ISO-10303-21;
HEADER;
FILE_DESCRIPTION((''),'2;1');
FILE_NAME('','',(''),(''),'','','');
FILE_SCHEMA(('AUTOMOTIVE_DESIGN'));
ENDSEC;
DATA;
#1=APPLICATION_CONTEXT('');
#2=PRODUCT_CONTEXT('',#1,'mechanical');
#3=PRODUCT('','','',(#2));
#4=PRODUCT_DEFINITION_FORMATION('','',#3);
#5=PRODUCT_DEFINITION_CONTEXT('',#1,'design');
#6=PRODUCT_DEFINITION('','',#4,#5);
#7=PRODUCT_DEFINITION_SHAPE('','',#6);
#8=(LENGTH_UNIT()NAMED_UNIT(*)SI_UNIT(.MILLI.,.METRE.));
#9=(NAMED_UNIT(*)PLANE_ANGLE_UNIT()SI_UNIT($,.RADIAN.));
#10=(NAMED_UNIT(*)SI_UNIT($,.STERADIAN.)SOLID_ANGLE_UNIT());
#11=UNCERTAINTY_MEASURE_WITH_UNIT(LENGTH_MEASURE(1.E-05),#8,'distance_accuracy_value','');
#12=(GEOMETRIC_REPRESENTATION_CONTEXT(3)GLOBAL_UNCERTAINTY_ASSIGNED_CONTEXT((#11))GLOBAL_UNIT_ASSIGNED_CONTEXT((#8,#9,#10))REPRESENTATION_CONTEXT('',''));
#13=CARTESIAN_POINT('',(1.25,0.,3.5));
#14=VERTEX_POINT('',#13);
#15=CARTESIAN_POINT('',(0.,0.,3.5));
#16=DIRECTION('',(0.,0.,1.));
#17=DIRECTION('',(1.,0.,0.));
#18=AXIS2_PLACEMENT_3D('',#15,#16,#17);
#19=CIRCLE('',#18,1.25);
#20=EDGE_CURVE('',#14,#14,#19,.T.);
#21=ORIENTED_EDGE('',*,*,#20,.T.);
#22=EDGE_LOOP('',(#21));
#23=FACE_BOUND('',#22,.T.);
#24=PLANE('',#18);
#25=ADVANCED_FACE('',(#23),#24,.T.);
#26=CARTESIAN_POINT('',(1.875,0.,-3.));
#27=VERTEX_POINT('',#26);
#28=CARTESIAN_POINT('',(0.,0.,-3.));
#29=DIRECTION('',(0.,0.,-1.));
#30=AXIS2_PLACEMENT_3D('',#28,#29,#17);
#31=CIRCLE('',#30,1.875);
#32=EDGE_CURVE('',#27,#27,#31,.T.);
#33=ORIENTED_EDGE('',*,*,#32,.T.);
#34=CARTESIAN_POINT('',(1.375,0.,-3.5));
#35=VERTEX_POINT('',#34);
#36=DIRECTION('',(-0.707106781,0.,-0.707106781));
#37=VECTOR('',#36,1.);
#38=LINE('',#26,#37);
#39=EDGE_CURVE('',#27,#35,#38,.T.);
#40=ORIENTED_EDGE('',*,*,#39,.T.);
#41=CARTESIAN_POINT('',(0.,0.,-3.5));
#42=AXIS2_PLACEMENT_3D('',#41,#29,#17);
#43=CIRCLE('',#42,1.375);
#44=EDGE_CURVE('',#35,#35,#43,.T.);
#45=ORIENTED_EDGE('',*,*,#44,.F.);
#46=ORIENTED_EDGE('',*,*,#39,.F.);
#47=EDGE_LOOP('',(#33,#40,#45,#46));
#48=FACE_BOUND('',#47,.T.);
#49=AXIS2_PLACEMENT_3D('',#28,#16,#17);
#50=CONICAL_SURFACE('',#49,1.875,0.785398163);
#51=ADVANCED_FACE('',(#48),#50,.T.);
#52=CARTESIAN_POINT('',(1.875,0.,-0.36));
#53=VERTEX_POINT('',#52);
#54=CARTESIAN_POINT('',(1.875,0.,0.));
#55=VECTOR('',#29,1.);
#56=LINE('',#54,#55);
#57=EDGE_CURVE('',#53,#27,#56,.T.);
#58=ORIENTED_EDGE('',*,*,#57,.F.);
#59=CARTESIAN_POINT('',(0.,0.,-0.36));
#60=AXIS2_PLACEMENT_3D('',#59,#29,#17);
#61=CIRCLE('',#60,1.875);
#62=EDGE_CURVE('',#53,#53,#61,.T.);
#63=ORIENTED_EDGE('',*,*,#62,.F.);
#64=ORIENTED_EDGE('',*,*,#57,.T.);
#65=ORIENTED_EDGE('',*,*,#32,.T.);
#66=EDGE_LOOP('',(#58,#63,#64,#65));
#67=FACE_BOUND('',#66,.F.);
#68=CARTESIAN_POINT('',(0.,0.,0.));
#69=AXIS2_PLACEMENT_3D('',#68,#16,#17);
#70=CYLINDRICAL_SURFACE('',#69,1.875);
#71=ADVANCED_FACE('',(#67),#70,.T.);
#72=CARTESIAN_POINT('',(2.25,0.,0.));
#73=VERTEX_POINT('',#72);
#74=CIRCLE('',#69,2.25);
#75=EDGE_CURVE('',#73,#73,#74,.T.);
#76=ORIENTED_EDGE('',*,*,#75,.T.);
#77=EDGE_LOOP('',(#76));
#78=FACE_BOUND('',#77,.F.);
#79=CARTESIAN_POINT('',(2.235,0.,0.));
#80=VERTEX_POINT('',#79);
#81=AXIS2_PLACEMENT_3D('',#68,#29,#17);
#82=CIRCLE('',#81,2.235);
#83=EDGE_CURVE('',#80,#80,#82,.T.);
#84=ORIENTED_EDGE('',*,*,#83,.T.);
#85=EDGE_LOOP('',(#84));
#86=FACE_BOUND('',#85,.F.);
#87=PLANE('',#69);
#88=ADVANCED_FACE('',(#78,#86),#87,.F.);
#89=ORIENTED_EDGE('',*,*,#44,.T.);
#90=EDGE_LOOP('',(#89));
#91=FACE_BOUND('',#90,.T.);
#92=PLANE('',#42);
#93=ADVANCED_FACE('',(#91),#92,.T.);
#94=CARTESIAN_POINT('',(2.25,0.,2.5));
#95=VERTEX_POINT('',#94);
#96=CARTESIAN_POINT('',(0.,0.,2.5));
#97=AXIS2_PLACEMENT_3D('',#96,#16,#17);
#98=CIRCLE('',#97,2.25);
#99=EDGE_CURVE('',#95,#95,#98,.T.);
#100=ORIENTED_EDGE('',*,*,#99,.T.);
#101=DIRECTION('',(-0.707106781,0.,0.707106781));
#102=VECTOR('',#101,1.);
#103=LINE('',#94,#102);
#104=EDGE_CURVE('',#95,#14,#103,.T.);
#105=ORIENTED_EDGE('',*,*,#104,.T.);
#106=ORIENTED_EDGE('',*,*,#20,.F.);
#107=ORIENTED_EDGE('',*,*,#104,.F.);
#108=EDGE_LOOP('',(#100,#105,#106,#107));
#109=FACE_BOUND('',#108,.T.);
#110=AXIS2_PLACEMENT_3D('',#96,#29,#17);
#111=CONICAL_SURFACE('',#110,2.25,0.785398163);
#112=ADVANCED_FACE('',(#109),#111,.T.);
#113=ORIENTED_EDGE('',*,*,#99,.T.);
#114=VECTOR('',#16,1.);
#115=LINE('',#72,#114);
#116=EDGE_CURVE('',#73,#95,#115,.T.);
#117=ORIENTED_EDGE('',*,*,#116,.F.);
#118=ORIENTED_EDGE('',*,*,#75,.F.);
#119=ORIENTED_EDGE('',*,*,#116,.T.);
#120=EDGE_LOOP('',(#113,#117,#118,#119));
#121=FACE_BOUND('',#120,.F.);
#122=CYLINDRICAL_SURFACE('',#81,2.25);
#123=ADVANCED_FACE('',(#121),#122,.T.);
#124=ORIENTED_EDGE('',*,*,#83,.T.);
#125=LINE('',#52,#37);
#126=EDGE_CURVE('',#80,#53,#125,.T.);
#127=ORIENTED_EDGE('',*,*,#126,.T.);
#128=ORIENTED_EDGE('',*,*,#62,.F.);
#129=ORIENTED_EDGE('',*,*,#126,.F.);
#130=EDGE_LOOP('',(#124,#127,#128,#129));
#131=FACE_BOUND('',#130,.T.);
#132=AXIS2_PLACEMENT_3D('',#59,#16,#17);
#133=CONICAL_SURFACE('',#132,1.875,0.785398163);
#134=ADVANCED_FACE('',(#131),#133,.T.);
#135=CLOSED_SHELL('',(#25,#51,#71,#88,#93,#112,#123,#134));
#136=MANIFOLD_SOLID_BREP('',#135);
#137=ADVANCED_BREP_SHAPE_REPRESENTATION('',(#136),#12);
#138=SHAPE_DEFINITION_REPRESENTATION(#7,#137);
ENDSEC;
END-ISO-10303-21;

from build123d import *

# Parameters (mm, degrees)
SKETCH017_R     = 2.25
PAD003_DEPTH    = 3.5
CHAMFER001_SIZE = 1
SKETCH020_R     = 1.875
PAD006_DEPTH    = 3.5
CHAMFER002_SIZE = 0.36
CHAMFER003_SIZE = 0.5


with BuildPart() as part:
    # Sketch017 → Pad003 (new body)
    with BuildSketch(Plane.XY):
        Circle(SKETCH017_R)
    extrude(amount=PAD003_DEPTH)

    # Chamfer001
    chamfer001_edges = [part.edges().sort_by_distance(p)[0] for p in [
        (-2.25, 0, 3.5),
    ]]
    chamfer(chamfer001_edges, length=CHAMFER001_SIZE)

    # Sketch020 (on Face3 of Chamfer001) → Pad006 (join)
    with BuildSketch(Plane(origin=(0, 0, 0), x_dir=(1, 0, 0), z_dir=(0, 0, -1))):
        Circle(SKETCH020_R)
    extrude(amount=PAD006_DEPTH)

    # Chamfer002
    chamfer002_edges = [part.edges().sort_by_distance(p)[0] for p in [
        (-1.875, 0, 0),
    ]]
    chamfer(chamfer002_edges, length=CHAMFER002_SIZE)

    # Chamfer003
    chamfer003_edges = [part.edges().sort_by_distance(p)[0] for p in [
        (-1.875, 0, -3.5),
    ]]
    chamfer(chamfer003_edges, length=CHAMFER003_SIZE)


solid = part.part
